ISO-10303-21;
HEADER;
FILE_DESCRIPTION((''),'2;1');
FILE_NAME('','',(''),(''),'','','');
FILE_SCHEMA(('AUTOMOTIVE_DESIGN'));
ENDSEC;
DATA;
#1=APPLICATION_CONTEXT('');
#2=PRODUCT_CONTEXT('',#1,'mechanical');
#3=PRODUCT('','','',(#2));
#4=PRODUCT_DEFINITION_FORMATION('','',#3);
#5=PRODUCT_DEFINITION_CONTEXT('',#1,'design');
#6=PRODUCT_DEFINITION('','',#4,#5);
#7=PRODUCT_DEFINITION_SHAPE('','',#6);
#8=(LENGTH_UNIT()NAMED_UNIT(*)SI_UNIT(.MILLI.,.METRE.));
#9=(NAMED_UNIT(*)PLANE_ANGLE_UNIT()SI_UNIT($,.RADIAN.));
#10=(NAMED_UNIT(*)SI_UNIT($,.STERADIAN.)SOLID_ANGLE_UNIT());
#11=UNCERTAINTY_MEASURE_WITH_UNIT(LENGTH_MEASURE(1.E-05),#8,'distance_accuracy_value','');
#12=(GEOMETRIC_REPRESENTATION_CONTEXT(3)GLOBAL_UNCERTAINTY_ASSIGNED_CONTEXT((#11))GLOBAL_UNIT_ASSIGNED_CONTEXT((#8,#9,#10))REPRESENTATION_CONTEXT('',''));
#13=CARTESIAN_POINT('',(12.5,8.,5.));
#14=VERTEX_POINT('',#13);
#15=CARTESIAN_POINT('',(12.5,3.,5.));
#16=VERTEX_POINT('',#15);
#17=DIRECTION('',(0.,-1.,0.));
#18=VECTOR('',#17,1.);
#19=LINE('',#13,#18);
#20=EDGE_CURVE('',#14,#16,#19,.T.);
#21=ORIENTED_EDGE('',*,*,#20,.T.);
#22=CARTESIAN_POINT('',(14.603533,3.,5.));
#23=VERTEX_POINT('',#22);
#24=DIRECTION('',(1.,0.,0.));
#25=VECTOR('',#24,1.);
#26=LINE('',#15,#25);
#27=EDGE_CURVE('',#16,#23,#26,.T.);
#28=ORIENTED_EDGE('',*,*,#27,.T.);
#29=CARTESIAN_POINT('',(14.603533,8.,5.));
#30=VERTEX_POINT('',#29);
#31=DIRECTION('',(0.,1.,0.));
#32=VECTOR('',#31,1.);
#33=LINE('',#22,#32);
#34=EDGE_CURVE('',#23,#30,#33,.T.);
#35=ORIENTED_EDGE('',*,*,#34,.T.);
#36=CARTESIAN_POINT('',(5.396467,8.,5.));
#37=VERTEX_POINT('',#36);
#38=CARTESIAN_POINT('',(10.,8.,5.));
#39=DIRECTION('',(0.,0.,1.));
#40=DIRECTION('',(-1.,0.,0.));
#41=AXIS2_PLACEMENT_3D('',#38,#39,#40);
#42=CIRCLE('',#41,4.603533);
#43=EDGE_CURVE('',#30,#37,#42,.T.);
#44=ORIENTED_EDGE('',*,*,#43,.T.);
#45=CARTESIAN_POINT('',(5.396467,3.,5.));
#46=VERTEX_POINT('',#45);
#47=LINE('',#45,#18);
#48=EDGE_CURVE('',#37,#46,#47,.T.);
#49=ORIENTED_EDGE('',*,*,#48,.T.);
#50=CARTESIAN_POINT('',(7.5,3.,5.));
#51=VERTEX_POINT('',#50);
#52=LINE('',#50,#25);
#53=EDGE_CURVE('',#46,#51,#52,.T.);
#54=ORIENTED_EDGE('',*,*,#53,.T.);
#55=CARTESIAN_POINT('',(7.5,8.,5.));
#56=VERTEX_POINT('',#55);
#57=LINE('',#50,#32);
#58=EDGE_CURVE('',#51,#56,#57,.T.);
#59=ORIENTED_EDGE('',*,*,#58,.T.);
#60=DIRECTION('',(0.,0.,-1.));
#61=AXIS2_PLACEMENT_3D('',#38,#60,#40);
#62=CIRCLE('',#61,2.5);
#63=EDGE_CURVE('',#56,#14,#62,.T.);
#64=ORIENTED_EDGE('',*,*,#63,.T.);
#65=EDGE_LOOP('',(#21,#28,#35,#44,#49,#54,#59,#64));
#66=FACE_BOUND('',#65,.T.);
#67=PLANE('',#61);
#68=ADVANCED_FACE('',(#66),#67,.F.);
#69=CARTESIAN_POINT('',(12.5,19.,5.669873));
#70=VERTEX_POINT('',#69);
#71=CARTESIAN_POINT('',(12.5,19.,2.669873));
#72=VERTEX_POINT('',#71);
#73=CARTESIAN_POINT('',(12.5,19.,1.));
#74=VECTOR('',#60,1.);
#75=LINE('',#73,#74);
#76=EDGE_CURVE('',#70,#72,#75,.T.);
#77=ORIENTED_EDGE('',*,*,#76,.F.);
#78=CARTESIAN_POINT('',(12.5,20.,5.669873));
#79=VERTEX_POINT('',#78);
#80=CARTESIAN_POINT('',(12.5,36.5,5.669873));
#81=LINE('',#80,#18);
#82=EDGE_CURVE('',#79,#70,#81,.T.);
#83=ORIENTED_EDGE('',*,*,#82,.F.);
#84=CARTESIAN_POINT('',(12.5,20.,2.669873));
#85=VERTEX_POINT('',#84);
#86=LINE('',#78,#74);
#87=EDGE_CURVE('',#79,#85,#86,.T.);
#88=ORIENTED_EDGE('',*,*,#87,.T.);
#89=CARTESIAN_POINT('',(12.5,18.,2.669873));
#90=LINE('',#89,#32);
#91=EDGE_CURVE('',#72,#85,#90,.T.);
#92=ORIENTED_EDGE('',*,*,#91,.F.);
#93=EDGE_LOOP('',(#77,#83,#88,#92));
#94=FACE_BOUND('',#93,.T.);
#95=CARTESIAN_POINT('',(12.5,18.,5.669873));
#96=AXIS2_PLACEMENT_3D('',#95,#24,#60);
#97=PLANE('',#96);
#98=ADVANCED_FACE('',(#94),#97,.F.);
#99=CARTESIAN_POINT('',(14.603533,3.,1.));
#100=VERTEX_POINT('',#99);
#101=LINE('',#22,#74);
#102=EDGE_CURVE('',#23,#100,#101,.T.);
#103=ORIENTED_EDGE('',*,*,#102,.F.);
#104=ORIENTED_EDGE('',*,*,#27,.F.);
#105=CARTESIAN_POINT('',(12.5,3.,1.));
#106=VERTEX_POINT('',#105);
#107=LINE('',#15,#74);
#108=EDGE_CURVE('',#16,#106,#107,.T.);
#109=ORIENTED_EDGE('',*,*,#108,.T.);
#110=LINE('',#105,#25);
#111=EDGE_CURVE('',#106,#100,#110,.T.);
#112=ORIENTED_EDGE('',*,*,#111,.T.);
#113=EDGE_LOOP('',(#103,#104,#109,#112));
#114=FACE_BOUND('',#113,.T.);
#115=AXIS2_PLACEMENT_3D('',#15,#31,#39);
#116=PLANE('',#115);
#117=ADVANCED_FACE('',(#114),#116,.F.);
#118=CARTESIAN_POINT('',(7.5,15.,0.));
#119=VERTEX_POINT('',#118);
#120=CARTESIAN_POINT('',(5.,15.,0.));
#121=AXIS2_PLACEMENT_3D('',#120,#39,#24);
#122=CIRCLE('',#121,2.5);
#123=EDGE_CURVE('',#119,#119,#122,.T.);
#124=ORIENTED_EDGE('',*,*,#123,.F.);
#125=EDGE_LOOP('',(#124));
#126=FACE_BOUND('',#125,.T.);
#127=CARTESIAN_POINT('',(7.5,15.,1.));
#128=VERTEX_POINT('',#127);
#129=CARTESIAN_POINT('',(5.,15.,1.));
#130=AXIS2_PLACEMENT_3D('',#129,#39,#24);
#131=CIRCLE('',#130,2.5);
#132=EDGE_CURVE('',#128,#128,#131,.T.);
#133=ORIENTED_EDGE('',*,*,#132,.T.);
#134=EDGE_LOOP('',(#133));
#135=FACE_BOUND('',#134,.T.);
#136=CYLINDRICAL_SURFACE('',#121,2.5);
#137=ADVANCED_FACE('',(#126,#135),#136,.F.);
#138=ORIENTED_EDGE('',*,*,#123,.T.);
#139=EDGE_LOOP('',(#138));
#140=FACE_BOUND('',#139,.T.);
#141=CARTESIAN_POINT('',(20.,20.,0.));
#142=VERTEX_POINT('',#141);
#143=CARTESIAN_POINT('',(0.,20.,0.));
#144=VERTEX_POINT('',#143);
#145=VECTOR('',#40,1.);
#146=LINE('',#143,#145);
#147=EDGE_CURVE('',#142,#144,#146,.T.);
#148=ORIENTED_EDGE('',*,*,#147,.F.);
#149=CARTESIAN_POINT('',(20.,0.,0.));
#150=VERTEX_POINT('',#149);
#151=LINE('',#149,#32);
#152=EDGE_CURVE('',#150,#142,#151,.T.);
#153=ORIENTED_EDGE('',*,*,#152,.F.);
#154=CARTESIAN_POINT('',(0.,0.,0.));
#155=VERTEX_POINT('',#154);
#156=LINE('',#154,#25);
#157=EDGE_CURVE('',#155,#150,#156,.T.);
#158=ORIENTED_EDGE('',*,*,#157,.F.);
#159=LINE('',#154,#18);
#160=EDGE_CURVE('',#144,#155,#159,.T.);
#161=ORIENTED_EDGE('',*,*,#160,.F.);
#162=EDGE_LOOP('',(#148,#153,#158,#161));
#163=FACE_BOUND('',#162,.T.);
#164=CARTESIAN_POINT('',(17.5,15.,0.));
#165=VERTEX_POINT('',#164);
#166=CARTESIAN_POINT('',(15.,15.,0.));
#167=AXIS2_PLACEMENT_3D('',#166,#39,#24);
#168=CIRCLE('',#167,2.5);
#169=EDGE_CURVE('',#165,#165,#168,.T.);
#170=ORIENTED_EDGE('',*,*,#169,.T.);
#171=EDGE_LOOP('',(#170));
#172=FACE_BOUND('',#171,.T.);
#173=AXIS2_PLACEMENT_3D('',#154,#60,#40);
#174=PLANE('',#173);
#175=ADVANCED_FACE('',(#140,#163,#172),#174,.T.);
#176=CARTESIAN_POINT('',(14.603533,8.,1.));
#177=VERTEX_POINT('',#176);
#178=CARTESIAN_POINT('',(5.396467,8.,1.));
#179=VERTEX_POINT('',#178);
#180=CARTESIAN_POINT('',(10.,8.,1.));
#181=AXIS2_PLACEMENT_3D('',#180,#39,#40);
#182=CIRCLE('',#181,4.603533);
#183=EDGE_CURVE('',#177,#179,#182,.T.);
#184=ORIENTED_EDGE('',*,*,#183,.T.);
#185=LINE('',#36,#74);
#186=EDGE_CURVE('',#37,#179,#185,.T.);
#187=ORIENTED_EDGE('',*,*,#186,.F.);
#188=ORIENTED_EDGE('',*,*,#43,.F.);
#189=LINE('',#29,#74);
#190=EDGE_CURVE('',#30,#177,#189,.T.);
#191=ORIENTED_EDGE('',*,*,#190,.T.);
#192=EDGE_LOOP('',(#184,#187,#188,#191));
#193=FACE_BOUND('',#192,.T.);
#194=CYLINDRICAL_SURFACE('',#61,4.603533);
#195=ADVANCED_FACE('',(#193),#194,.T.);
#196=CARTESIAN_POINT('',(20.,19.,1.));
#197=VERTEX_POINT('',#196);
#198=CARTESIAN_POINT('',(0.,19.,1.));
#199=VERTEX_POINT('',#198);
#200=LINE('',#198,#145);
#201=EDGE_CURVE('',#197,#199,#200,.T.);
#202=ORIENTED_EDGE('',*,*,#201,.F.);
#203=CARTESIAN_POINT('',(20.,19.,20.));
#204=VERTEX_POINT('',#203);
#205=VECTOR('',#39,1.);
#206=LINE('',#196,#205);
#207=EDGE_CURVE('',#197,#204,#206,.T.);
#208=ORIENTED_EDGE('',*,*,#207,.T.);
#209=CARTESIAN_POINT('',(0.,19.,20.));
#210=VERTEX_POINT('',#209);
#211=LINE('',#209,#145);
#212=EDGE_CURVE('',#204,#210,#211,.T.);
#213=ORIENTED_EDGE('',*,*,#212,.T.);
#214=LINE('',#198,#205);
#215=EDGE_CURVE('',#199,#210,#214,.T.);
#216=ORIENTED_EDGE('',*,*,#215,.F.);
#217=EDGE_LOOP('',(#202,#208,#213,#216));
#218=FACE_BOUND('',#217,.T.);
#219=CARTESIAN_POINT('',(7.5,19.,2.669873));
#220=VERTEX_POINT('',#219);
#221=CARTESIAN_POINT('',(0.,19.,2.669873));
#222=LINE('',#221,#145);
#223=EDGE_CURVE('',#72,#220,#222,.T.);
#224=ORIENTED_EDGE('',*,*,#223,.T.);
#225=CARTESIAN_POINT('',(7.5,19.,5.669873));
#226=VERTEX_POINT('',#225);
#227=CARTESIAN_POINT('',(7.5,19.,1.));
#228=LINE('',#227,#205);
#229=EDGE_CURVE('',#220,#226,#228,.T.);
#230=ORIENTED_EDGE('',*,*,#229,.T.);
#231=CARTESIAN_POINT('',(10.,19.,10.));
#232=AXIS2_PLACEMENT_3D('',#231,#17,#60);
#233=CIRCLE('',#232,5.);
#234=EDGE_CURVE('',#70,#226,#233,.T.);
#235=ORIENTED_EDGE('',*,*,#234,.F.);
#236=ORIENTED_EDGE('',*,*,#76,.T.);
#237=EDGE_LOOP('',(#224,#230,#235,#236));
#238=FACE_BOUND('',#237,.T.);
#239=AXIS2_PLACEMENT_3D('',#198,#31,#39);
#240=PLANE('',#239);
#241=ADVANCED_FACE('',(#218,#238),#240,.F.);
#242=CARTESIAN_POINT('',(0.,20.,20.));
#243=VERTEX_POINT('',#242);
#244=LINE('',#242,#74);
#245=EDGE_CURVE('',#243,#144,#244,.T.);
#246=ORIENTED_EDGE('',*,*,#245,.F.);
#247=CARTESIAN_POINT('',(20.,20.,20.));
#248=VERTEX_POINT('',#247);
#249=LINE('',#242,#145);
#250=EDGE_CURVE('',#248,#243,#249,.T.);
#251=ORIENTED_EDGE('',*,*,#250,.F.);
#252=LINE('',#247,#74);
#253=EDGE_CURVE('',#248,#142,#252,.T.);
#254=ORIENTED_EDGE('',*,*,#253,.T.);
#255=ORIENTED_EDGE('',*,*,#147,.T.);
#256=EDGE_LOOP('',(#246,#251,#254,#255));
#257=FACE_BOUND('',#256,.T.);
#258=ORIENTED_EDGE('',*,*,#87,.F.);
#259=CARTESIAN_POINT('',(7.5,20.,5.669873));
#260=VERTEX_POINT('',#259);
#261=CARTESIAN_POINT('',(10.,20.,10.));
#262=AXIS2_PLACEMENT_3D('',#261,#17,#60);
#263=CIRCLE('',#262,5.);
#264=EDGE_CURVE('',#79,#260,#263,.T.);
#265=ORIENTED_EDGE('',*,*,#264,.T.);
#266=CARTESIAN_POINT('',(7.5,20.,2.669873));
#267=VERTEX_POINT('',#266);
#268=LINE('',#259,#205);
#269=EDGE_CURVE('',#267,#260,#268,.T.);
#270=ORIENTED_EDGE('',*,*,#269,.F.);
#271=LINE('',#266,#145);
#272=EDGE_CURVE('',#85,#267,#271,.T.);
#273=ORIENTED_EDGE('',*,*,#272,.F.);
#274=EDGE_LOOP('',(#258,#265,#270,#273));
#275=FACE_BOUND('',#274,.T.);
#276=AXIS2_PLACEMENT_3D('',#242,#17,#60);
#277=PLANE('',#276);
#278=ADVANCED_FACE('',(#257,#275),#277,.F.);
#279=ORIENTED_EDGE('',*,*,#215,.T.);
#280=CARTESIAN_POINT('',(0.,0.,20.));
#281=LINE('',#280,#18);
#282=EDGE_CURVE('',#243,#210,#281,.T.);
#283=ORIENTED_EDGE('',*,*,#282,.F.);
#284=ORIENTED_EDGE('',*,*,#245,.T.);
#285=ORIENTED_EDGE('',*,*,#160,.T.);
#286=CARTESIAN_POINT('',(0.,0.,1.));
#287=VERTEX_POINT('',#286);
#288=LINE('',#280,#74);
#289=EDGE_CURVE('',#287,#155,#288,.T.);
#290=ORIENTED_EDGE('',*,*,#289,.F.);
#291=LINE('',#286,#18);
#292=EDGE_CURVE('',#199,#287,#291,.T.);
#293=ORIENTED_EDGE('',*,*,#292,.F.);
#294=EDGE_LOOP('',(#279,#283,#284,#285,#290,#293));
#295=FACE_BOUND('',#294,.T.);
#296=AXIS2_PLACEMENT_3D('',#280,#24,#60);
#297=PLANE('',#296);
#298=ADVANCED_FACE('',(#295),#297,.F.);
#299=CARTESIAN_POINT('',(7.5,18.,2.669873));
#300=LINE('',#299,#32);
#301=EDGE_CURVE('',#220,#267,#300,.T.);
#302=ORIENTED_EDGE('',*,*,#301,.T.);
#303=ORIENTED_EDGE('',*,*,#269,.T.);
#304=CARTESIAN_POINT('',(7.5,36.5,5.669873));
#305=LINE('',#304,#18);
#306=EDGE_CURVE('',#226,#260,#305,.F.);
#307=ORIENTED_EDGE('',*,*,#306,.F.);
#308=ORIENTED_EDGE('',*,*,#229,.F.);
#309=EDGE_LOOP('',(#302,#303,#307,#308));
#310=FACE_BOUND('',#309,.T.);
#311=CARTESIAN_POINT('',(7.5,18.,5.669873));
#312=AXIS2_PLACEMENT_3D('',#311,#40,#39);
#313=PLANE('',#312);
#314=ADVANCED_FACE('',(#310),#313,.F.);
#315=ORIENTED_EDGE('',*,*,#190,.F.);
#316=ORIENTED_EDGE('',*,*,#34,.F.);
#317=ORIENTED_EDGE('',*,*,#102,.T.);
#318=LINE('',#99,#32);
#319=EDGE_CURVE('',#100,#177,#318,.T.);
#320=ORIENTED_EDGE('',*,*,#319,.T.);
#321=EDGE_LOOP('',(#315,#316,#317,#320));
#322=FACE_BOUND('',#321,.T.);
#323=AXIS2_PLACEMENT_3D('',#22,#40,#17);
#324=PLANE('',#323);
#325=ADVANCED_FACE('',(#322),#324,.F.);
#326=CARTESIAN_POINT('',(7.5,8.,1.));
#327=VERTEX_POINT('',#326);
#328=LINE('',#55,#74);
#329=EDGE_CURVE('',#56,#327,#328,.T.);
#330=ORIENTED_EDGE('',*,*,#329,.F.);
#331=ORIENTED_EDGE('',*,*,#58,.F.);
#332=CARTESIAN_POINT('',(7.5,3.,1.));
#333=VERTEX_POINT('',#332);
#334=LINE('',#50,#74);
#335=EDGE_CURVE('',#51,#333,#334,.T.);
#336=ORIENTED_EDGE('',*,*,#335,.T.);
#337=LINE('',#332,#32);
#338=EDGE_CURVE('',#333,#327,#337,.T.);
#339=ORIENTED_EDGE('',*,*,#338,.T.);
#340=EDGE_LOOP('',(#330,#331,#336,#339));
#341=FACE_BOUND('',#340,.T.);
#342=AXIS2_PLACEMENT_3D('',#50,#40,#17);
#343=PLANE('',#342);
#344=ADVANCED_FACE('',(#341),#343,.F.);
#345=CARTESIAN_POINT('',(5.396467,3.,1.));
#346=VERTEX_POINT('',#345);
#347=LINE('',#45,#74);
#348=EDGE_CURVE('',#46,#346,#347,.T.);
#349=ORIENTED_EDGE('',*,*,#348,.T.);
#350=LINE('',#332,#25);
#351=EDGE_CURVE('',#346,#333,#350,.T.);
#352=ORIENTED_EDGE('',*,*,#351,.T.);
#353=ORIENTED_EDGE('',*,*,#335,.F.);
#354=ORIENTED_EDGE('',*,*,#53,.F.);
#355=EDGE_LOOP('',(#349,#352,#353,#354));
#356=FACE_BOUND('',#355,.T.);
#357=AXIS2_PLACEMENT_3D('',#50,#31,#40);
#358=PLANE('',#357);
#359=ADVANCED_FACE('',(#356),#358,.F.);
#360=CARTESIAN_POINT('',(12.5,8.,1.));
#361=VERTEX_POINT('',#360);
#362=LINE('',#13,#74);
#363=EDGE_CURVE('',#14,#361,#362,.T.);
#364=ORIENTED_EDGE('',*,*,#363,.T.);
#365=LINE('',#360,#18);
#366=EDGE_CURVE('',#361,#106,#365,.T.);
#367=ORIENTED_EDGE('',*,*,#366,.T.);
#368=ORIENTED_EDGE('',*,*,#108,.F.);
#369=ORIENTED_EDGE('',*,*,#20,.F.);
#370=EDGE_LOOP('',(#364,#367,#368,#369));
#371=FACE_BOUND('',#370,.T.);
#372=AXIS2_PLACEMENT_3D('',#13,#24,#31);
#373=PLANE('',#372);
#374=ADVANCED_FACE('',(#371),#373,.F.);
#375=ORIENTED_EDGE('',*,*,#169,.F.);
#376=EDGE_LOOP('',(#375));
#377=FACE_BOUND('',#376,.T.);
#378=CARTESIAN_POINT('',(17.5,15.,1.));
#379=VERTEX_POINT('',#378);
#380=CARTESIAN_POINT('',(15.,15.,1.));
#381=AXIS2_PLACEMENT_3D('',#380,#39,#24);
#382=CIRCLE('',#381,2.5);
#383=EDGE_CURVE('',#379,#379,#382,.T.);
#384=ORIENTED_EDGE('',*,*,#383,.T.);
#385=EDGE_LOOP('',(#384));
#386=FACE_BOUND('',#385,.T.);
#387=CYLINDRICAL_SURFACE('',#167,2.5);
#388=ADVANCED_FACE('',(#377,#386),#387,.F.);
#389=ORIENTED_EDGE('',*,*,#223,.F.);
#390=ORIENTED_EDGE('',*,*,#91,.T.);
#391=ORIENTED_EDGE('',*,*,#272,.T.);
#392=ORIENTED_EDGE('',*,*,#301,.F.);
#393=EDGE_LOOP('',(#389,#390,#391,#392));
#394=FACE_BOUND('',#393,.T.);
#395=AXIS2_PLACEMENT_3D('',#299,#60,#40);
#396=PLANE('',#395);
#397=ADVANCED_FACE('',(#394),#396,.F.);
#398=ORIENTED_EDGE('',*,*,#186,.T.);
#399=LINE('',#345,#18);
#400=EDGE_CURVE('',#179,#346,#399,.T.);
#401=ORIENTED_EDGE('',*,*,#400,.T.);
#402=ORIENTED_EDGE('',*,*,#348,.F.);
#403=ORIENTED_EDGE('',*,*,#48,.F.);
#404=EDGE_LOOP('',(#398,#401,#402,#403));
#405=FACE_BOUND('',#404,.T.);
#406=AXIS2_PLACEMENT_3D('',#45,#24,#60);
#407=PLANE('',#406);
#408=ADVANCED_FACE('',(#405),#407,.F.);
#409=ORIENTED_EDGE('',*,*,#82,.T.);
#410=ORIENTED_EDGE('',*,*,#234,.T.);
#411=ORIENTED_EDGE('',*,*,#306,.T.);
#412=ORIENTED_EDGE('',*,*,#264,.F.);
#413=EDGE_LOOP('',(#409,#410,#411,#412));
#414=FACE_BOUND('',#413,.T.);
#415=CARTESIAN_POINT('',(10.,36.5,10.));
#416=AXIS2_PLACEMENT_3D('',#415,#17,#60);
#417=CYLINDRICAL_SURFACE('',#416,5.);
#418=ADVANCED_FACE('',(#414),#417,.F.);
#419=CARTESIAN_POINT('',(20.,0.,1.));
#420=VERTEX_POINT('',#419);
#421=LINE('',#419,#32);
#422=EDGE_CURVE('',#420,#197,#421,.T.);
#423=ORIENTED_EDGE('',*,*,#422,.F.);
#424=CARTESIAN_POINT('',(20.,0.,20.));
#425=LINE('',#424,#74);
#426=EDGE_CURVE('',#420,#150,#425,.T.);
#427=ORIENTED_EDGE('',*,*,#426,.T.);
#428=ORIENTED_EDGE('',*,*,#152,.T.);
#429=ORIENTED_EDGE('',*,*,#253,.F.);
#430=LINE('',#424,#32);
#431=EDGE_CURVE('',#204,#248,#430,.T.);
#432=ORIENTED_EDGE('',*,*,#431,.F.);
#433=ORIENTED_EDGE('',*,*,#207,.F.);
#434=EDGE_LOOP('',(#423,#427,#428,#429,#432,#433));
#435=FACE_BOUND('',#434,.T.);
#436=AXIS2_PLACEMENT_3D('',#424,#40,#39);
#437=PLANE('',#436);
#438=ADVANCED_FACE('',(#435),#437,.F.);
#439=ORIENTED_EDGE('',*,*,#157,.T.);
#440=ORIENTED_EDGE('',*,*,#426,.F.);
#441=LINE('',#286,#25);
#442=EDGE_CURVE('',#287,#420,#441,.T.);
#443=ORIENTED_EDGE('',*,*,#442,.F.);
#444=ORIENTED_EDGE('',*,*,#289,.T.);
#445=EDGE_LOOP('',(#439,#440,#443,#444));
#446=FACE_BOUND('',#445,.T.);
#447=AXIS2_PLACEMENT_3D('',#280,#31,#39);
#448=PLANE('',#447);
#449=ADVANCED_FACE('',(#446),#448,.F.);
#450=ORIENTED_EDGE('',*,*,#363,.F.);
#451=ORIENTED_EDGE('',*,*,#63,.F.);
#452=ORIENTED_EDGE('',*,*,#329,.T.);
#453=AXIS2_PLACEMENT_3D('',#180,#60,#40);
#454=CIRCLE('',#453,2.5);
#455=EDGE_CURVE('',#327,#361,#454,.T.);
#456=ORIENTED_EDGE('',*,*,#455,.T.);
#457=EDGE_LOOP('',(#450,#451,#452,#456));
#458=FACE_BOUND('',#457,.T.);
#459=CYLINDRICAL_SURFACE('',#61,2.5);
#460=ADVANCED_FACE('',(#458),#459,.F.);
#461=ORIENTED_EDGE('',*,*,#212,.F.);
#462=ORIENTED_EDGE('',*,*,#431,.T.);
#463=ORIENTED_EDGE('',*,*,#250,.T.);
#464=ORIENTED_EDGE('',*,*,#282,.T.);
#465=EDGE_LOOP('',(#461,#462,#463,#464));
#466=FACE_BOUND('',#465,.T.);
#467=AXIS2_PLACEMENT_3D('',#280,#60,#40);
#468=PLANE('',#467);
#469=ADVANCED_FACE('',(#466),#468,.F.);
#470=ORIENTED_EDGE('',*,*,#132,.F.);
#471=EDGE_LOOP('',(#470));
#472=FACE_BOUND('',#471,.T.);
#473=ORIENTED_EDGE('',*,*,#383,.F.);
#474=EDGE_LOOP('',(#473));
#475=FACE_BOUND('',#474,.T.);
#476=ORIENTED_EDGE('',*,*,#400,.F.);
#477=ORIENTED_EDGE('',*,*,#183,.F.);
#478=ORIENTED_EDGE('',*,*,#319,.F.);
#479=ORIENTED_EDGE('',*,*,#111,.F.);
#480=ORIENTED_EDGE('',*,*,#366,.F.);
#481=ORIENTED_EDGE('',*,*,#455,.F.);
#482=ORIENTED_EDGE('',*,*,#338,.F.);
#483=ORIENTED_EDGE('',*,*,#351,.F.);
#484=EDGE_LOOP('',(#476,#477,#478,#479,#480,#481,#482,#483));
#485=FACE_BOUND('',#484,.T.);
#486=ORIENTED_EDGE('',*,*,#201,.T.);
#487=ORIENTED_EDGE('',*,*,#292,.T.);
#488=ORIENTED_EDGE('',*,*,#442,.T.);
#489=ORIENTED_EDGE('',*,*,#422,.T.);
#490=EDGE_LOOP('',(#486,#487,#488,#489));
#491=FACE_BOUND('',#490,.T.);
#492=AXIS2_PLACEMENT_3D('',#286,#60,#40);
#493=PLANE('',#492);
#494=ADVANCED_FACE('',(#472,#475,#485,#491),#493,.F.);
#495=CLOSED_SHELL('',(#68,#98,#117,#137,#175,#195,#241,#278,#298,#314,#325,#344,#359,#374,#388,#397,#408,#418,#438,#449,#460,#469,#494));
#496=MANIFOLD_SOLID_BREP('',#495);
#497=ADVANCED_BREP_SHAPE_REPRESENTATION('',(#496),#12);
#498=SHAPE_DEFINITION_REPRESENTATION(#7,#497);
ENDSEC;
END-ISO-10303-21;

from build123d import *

# Parameters (mm, degrees)
SKETCH2_W           = 20
SKETCH2_H           = 20
BOSS_EXTRUDE1_DEPTH = 20
SKETCH3_W           = 20
SKETCH3_H           = 19
CUT_EXTRUDE1_DEPTH  = 19
SKETCH4_R           = 5
CUT_EXTRUDE2_DEPTH  = 17.5
BOSS_EXTRUDE2_DEPTH = 4
SKETCH10_R          = 2.5
CUT_EXTRUDE3_DEPTH  = 2
CUT_EXTRUDE4_DEPTH  = 2


with BuildPart() as part:
    # Sketch2 → Boss-Extrude1 (new body)
    with BuildSketch(Plane.XY):
        with Locations((10, 10)):
            Rectangle(SKETCH2_W, SKETCH2_H)
    extrude(amount=BOSS_EXTRUDE1_DEPTH)

    # Sketch3 → Cut-Extrude1 (cut)
    with BuildSketch(Plane.XY.offset(20)):
        with Locations((10, 9.5)):
            Rectangle(SKETCH3_W, SKETCH3_H)
    extrude(amount=-CUT_EXTRUDE1_DEPTH, mode=Mode.SUBTRACT)

    # Sketch4 → Cut-Extrude2 (cut)
    with BuildSketch(Plane.XZ.offset(-19)):
        with Locations((10, 10)):
            Circle(SKETCH4_R)
    extrude(amount=-CUT_EXTRUDE2_DEPTH, mode=Mode.SUBTRACT)

    # Sketch6 → Boss-Extrude2 (add)
    with BuildSketch(Plane.XY.offset(1)):
        with BuildLine():
            Line((7.5, 3), (7.5, 8))
            ThreePointArc((7.5, 8), (10, 10.5), (12.5, 8))
            Line((12.5, 8), (12.5, 3))
            Line((12.5, 3), (14.603533184, 3))
            Line((14.603533184, 3), (14.603533184, 8))
            ThreePointArc((14.603533184, 8), (10, 12.603533184), (5.396466816, 8))
            Line((5.396466816, 8), (5.396466816, 3))
            Line((5.396466816, 3), (7.5, 3))
        make_face()
    extrude(amount=BOSS_EXTRUDE2_DEPTH)

    # Sketch10 → Cut-Extrude3 (cut, through all)
    with BuildSketch(Plane.XY.offset(1)):
        with Locations((5, 15)):
            Circle(SKETCH10_R)
        with Locations((15, 15)):
            Circle(SKETCH10_R)
    extrude(amount=-CUT_EXTRUDE3_DEPTH, mode=Mode.SUBTRACT)

    # Sketch11 → Cut-Extrude4 (cut)
    with BuildSketch(Plane(origin=(0, 20, 0), x_dir=(1, 0, 0), z_dir=(0, 1, 0))):
        with BuildLine():
            Line((7.5, -5.669872981), (7.5, -2.669872981))
            Line((7.5, -2.669872981), (12.5, -2.669872981))
            Line((12.5, -2.669872981), (12.5, -5.669872981))
            ThreePointArc((12.5, -5.669872981), (10, -5), (7.5, -5.669872981))
        make_face()
    extrude(amount=-CUT_EXTRUDE4_DEPTH, mode=Mode.SUBTRACT)


solid = part.part
